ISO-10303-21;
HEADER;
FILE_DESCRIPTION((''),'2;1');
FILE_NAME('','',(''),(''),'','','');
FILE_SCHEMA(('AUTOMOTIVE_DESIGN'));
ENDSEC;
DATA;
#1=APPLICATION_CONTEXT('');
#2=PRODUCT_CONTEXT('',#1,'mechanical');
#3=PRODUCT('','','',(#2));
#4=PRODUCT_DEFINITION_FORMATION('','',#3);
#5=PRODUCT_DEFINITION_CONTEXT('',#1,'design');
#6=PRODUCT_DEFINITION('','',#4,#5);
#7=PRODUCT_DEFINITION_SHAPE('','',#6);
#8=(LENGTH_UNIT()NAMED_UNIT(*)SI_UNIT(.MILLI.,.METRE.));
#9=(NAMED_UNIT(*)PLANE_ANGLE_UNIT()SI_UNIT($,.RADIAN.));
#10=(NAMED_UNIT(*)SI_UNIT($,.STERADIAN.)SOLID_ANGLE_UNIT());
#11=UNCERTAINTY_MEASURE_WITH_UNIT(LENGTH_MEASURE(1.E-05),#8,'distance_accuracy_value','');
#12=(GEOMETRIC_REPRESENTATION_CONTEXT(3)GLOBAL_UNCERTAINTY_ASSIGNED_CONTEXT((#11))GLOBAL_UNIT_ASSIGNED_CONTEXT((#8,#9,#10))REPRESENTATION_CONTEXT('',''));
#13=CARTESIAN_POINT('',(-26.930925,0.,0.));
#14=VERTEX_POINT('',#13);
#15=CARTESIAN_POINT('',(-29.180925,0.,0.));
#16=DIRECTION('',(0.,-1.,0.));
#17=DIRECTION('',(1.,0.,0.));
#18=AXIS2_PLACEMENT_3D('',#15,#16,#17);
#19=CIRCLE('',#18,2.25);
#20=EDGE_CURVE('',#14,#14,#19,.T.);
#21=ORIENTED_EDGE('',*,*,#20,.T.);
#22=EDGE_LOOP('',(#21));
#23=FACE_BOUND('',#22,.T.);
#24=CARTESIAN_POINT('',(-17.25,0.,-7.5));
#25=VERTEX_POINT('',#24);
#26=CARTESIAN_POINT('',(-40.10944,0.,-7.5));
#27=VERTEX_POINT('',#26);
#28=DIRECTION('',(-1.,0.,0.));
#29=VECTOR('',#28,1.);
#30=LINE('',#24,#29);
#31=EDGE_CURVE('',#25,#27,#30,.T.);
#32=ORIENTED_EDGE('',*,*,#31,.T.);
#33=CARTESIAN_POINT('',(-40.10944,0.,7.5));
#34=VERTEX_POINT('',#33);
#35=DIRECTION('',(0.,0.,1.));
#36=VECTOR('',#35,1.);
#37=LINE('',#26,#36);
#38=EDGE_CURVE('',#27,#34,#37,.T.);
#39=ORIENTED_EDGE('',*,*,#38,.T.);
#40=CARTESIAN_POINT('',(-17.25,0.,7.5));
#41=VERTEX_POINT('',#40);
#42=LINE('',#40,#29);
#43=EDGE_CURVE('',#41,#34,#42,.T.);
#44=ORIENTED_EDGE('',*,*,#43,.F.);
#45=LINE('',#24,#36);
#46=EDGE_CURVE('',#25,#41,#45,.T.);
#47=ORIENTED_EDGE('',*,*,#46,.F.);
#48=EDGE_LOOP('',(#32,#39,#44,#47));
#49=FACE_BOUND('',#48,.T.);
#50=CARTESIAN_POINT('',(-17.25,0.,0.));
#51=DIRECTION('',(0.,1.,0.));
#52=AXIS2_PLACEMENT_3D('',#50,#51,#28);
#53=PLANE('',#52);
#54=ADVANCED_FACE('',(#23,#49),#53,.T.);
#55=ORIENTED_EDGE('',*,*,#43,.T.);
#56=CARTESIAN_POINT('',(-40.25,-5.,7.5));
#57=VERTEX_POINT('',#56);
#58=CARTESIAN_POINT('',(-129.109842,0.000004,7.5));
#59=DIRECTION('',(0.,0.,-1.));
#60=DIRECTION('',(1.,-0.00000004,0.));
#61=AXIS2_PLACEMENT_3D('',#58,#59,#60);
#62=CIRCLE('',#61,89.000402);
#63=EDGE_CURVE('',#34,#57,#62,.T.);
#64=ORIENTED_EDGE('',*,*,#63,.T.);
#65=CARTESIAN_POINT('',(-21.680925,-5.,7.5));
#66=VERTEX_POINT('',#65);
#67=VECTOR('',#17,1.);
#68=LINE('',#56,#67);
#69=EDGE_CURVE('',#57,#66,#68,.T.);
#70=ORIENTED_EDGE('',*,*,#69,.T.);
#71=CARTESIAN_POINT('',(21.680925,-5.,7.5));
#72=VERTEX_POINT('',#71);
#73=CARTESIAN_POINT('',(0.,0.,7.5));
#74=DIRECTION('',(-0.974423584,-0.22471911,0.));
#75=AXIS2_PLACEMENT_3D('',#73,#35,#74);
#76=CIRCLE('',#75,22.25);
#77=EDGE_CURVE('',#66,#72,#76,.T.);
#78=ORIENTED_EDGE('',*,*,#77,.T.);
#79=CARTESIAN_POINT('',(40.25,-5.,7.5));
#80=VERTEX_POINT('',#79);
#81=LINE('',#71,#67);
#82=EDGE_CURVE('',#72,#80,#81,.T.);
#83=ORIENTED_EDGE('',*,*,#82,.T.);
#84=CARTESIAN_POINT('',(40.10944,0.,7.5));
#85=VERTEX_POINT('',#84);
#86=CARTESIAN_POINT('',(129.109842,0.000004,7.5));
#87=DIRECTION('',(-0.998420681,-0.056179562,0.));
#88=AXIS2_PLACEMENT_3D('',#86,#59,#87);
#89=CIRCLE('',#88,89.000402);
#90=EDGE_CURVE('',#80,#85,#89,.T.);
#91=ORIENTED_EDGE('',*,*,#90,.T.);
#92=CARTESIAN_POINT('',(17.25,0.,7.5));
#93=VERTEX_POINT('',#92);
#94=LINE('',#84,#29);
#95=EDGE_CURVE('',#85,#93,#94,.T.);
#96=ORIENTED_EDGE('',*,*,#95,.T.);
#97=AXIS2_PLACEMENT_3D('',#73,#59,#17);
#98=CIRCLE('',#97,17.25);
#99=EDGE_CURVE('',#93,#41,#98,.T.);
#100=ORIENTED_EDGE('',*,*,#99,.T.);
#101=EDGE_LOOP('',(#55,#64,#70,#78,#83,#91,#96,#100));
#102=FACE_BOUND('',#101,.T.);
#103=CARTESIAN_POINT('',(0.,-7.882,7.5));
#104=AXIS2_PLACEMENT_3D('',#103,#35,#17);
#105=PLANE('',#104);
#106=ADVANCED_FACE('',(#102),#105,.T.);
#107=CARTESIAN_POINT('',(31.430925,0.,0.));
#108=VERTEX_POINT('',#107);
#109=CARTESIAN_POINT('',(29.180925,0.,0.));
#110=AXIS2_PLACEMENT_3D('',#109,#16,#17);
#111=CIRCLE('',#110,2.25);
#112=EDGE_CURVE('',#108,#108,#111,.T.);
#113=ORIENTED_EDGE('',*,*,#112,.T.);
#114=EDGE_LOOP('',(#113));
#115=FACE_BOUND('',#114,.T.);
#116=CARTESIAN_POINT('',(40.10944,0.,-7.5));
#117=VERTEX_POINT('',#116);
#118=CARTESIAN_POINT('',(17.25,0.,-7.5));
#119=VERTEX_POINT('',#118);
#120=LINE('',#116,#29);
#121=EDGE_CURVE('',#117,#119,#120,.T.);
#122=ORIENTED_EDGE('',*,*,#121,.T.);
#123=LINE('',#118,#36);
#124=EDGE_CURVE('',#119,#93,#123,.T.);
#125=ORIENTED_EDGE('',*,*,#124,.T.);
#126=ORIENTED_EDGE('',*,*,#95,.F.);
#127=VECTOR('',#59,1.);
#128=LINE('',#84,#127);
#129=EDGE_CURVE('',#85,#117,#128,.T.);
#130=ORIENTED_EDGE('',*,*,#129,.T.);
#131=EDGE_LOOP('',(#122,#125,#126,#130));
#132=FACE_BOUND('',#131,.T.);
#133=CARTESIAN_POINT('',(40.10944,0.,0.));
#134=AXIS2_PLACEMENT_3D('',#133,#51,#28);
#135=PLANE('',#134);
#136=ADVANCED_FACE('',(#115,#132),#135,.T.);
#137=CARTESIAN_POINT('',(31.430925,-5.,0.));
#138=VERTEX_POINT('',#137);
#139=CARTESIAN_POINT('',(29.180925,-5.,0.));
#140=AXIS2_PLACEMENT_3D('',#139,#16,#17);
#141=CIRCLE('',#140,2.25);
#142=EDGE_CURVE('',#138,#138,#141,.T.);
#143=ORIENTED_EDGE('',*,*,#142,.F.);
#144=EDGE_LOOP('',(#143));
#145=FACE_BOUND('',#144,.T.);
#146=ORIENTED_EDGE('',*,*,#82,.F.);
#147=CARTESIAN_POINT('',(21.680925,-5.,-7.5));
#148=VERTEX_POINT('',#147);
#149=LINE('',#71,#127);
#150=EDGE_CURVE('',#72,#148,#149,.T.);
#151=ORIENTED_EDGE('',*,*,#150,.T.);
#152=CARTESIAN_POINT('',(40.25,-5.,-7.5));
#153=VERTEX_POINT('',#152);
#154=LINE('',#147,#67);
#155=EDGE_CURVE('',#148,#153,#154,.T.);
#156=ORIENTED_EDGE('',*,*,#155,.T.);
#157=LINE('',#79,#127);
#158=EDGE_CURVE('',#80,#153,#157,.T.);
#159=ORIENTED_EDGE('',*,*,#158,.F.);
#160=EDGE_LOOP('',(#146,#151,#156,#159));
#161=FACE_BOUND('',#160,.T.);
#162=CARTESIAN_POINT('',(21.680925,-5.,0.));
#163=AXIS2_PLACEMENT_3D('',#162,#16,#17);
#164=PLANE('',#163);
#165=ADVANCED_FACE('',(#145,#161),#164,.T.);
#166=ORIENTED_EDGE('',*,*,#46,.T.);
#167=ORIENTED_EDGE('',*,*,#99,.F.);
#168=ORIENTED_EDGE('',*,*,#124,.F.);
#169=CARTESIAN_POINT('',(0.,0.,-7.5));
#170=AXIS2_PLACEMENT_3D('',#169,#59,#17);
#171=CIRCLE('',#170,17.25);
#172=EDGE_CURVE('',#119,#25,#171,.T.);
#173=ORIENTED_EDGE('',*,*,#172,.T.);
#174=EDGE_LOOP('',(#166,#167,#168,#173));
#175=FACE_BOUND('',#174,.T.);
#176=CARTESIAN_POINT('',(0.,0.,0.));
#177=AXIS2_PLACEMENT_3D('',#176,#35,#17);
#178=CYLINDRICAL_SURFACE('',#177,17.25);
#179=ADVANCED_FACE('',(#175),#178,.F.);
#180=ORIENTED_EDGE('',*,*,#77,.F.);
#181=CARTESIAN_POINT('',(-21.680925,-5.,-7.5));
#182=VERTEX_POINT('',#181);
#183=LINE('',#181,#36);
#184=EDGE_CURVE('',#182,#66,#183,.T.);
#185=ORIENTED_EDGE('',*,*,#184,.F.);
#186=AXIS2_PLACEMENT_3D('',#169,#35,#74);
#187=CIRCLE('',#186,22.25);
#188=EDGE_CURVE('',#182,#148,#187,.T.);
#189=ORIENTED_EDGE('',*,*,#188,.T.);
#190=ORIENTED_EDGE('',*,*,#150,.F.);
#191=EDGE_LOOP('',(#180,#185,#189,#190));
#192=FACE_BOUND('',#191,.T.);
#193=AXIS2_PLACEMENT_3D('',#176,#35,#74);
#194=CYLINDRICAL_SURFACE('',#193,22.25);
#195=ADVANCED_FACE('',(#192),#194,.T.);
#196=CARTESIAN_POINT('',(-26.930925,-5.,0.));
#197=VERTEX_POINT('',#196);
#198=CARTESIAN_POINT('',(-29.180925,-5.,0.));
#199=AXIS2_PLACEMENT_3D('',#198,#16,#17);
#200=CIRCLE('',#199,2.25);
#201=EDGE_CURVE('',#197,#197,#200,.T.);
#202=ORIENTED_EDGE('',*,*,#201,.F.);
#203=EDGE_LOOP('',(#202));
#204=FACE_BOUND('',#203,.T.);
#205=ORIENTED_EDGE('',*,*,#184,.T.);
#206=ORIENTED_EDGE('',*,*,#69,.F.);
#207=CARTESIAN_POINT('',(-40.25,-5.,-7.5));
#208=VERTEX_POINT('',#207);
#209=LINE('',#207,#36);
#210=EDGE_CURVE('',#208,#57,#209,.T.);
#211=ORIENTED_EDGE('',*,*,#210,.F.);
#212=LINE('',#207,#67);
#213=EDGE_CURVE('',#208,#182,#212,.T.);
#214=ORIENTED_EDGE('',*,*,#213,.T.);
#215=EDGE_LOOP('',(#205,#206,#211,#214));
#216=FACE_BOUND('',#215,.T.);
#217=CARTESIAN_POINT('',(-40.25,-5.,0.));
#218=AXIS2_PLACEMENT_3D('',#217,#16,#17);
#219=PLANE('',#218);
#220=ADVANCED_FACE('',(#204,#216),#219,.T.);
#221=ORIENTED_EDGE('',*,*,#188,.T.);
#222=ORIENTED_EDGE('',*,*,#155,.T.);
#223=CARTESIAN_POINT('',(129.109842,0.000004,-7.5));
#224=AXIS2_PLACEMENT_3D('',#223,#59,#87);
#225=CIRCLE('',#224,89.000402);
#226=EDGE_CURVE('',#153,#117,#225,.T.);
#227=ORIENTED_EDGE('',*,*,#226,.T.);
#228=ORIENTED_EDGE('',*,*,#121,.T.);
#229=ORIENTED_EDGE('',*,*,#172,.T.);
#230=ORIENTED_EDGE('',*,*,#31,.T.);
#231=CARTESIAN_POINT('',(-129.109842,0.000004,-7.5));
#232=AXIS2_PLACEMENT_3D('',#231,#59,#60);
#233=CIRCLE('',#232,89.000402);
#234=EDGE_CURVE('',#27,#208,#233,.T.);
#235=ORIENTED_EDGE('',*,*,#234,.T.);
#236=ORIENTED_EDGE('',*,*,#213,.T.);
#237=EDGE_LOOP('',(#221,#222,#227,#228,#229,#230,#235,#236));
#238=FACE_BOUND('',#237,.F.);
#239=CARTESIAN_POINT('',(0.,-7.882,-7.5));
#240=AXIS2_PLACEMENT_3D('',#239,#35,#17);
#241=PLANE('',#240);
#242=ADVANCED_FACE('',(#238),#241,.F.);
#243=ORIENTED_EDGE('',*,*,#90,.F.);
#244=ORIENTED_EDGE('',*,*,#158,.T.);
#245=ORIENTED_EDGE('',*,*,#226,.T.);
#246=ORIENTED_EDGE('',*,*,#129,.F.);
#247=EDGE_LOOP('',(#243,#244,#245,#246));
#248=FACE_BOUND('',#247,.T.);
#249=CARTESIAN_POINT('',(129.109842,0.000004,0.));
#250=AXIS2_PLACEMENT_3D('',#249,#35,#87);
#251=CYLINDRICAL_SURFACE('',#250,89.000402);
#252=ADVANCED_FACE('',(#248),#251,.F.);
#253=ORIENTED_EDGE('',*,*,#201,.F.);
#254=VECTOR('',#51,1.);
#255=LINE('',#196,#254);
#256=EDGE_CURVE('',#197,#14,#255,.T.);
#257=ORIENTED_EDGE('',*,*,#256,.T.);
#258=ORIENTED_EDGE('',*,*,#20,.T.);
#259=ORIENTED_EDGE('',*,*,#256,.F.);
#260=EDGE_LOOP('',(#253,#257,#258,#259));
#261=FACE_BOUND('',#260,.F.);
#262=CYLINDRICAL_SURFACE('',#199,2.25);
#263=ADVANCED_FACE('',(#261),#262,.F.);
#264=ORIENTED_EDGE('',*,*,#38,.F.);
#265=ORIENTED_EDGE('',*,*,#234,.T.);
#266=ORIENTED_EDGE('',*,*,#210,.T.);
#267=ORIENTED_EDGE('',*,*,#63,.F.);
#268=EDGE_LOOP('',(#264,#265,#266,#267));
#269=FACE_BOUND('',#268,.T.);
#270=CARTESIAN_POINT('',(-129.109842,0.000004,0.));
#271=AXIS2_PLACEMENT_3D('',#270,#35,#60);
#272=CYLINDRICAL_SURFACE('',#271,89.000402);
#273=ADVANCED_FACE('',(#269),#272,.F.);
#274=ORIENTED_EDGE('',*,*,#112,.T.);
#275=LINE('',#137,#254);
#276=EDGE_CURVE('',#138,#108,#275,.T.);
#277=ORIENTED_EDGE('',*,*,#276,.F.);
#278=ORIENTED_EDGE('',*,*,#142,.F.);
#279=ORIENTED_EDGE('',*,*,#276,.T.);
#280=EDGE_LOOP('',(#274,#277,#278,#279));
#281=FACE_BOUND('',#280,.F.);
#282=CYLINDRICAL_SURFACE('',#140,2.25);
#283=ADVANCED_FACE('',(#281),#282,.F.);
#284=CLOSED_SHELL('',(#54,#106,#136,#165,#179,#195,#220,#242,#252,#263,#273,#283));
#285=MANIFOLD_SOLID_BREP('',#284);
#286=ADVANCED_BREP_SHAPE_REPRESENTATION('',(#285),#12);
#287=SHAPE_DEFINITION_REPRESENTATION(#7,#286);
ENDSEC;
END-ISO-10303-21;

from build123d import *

# Parameters (mm, degrees)
F1_DEPTH = 7.5
F2_R     = 2.25
F3_DEPTH = 25


with BuildPart() as f1:
    # F0 (on Top) → F1 (new body, symmetric)
    with BuildSketch(Plane.XY):
        with BuildLine():
            Line((40.10944, 0), (17.25, 0))
            ThreePointArc((17.25, 0), (0, -17.25), (-17.25, 0))
            Line((-17.25, 0), (-40.10944, 0))
            ThreePointArc((-40.10944, 0), (-40.144587, -2.500988), (-40.25, -5))
            Line((-40.25, -5), (-21.680925, -5))
            ThreePointArc((-21.680925, -5), (0, -22.25), (21.680925, -5))
            Line((21.680925, -5), (40.25, -5))
            ThreePointArc((40.25, -5), (40.144587, -2.500988), (40.10944, 0))
        make_face()
    extrude(amount=F1_DEPTH, both=True)

    # F2 (on face) → F3 (cut)
    with BuildSketch(Plane.XZ.offset(5)):
        with Locations((-29.180925, 0)):
            Circle(F2_R)
        with Locations((29.180925, 0)):
            Circle(F2_R)
    extrude(amount=-F3_DEPTH, mode=Mode.SUBTRACT)


solid = f1.part
